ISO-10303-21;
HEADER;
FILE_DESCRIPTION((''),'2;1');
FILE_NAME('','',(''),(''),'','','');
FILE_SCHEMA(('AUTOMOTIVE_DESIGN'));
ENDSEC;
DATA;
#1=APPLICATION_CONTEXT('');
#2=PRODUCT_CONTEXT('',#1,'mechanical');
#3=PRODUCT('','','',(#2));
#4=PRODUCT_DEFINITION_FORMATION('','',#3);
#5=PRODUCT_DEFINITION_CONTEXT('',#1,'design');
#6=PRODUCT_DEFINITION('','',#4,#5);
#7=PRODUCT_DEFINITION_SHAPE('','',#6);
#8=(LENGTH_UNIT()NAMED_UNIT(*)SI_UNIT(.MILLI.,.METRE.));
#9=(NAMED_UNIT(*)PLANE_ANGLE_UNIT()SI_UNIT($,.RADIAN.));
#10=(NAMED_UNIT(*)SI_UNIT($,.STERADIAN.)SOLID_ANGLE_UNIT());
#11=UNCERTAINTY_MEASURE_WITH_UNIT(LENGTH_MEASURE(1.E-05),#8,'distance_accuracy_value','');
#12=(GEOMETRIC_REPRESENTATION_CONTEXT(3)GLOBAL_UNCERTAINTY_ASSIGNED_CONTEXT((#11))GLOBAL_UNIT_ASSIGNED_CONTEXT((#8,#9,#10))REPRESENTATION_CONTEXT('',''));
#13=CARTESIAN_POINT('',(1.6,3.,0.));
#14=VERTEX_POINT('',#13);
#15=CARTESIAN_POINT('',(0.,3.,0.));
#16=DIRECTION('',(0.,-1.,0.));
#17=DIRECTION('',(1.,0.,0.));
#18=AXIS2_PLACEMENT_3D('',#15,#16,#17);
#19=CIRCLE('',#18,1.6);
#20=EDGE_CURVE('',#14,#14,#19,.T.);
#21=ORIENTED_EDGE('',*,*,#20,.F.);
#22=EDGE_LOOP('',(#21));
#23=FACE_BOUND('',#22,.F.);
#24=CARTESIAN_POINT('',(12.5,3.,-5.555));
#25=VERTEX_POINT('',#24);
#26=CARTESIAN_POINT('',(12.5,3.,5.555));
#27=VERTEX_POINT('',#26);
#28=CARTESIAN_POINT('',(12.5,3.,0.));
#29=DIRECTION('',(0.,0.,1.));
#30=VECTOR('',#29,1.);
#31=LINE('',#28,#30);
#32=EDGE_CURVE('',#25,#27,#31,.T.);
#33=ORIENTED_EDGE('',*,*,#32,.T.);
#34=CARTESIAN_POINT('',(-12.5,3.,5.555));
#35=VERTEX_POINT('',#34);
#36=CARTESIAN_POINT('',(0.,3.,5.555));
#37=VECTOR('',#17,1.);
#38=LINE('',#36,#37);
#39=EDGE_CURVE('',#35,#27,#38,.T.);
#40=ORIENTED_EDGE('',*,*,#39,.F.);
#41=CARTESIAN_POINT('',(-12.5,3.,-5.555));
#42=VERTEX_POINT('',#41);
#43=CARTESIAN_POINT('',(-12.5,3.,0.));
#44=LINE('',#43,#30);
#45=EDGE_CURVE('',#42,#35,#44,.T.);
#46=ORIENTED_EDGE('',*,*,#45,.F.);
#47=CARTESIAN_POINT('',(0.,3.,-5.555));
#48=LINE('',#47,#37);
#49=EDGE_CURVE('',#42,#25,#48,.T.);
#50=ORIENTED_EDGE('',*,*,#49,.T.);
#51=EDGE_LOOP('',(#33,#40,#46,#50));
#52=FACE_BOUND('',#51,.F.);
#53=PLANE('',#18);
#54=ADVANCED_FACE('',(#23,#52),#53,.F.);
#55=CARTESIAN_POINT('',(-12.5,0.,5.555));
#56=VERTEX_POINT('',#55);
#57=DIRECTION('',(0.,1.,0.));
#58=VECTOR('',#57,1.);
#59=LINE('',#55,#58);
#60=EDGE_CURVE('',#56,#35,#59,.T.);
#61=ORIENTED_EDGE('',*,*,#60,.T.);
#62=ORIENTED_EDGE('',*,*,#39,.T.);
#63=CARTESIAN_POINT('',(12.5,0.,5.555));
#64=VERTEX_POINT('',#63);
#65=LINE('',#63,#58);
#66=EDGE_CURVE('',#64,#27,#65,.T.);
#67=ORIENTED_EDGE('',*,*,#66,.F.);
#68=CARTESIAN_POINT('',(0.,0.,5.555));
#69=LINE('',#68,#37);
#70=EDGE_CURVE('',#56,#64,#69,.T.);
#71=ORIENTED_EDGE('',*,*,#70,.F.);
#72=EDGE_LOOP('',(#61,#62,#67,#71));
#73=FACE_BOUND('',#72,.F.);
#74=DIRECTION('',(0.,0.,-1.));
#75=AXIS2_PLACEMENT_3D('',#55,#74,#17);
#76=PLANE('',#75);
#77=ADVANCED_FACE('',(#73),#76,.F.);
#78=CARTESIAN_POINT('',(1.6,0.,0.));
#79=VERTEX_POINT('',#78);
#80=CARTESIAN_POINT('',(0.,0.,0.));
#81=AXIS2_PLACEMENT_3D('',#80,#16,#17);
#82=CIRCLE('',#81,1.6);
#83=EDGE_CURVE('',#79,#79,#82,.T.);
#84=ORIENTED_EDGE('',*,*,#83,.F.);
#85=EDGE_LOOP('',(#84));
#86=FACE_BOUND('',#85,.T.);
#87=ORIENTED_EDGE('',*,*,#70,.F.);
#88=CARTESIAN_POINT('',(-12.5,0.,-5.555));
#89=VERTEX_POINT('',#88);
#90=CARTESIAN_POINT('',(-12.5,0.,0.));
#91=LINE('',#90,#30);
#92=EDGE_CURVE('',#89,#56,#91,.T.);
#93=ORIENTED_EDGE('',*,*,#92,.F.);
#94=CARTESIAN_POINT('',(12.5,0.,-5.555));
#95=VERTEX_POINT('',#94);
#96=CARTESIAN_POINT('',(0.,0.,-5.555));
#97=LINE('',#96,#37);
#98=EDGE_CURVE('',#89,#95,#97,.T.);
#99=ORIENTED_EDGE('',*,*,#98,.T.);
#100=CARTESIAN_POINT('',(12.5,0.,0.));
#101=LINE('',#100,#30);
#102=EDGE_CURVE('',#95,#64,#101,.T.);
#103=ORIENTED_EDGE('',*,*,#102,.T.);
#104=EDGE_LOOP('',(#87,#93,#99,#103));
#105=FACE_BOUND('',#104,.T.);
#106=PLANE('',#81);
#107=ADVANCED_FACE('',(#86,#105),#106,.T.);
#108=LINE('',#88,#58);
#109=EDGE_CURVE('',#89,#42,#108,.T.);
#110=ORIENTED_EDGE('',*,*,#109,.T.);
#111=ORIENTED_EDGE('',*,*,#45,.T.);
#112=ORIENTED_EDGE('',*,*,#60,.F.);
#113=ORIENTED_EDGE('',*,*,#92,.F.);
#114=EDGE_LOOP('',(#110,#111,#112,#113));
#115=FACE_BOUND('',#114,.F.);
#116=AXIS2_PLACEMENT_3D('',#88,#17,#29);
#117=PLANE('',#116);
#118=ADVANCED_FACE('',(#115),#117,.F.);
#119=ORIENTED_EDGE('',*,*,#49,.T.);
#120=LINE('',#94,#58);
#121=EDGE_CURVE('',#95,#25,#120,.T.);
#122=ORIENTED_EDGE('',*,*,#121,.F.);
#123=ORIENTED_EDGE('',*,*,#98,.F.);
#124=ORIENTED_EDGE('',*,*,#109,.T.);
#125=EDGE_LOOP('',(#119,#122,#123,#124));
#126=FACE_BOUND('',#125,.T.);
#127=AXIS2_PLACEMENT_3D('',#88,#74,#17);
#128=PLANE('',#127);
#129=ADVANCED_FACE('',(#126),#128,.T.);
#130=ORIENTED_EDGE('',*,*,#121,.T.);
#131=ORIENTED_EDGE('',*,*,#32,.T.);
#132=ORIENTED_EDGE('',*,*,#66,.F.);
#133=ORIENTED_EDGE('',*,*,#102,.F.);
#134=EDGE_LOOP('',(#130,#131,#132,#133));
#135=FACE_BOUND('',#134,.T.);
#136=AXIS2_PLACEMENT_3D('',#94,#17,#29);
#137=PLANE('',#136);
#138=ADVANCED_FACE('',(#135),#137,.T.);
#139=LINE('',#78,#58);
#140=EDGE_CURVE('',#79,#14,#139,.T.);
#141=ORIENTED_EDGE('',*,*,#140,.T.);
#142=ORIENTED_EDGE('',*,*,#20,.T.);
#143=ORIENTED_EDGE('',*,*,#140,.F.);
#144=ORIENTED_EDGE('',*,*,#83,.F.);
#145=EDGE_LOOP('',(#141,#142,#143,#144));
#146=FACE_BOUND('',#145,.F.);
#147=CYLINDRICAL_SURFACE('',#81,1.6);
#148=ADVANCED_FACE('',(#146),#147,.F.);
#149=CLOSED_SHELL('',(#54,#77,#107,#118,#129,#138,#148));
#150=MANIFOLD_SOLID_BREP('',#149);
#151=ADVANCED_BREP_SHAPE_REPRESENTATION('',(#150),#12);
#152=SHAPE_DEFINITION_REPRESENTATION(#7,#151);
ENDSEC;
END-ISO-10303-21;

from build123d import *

# Parameters (mm, degrees)
F0_W     = 25
F0_H     = 11.11
F0_R     = 1.6
F1_DEPTH = 3


with BuildPart() as f1:
    # F0 (on Front) → F1 (new body)
    with BuildSketch(Plane.XZ):
        Rectangle(F0_W, F0_H)
        Circle(F0_R, mode=Mode.SUBTRACT)
    extrude(amount=-F1_DEPTH)


solid = f1.part
